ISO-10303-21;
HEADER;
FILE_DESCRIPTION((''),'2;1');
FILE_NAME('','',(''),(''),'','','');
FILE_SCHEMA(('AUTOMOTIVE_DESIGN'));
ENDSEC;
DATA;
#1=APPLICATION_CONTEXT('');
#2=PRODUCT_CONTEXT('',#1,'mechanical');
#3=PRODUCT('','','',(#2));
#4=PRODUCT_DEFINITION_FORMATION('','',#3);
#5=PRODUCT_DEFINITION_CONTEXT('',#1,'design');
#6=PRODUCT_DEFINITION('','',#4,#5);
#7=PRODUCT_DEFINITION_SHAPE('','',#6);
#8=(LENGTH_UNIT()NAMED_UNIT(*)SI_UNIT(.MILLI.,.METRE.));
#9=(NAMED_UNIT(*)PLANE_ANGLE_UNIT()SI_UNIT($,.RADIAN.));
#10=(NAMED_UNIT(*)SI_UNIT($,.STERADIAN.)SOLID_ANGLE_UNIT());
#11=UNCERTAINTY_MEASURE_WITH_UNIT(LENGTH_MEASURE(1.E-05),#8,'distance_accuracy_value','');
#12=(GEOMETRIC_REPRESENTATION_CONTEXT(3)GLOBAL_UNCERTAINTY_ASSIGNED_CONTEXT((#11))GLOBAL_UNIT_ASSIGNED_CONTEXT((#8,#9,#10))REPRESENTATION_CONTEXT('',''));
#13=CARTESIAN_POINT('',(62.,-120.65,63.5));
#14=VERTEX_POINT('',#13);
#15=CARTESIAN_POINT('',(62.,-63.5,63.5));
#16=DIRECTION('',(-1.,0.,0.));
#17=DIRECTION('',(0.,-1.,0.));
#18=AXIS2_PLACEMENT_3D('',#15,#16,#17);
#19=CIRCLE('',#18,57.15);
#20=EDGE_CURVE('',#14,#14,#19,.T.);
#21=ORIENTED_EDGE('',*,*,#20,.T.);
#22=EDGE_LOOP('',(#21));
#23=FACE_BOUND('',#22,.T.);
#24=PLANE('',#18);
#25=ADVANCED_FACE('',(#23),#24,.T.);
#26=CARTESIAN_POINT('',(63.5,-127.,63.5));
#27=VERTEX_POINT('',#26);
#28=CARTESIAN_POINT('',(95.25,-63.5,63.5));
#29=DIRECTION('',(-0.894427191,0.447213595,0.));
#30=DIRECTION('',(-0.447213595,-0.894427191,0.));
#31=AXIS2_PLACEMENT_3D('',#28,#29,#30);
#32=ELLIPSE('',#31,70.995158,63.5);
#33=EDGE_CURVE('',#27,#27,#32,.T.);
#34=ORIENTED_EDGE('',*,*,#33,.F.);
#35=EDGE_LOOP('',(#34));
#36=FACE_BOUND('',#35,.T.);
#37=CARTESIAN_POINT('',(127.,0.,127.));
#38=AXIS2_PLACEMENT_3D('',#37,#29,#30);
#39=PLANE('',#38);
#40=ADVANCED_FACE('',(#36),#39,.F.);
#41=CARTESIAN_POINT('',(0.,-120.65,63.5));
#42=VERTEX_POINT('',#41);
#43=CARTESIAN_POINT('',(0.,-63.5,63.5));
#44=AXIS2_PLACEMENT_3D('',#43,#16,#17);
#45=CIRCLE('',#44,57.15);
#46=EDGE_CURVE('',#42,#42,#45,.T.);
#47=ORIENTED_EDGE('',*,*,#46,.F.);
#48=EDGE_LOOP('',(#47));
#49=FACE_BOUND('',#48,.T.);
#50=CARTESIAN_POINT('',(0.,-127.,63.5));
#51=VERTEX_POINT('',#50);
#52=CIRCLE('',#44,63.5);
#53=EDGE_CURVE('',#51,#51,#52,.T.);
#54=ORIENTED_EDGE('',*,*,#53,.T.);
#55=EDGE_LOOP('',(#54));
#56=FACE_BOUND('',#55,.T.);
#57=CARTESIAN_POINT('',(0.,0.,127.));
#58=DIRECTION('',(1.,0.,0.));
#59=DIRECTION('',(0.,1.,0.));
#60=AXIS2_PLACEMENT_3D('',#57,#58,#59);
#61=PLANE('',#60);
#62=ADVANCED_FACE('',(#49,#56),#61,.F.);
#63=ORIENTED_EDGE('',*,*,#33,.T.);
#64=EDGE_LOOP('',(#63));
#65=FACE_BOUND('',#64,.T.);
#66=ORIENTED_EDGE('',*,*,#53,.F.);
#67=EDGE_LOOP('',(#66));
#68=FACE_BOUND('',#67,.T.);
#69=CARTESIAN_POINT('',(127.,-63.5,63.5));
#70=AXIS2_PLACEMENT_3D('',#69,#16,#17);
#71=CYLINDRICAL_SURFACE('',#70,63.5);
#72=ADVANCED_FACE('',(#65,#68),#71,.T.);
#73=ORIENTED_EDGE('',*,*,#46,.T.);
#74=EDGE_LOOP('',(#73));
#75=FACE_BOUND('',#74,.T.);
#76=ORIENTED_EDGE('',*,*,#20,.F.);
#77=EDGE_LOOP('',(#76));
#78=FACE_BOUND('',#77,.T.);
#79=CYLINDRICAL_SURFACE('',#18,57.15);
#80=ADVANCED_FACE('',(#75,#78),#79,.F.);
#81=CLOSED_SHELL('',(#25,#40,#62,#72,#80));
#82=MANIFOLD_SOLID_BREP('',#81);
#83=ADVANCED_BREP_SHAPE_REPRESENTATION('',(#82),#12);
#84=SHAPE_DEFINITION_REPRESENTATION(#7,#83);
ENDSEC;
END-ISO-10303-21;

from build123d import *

# Parameters (mm, degrees)
BOSS_EXTRUDE2_DEPTH = 127
SKETCH3_R           = 57.15
CUT_EXTRUDE1_DEPTH  = 62
CUT_EXTRUDE2_DEPTH  = 128


with BuildPart() as part:
    # Sketch2 → Boss-Extrude2 (new body)
    with BuildSketch(Plane.XY):
        Polygon((0, 0), (0, -127), (63.5, -127), (127, 0), align=None)
    extrude(amount=BOSS_EXTRUDE2_DEPTH)

    # Sketch3 → Cut-Extrude1 (cut)
    with BuildSketch(Plane.ZY):
        with Locations((63.5, -63.5)):
            Circle(SKETCH3_R)
    extrude(amount=-CUT_EXTRUDE1_DEPTH, mode=Mode.SUBTRACT)

    # Sketch4 → Cut-Extrude2 (cut, through all)
    with BuildSketch(Plane.ZY):
        with BuildLine():
            Line((127, 0), (63.5, 0))
            ThreePointArc((63.5, 0), (108.401280605, -18.598719395), (127, -63.5))
            Line((127, -63.5), (127, 0))
        make_face()
        with BuildLine():
            Line((63.5, 0), (0, 0))
            Line((0, 0), (0, -63.5))
            ThreePointArc((0, -63.5), (18.598719395, -18.598719395), (63.5, 0))
        make_face()
        with BuildLine():
            ThreePointArc((63.5, -127), (18.598719395, -108.401280605), (0, -63.5))
            Line((0, -63.5), (0, -127))
            Line((0, -127), (63.5, -127))
        make_face()
        with BuildLine():
            Line((127, -127), (127, -63.5))
            ThreePointArc((127, -63.5), (108.401280605, -108.401280605), (63.5, -127))
            Line((63.5, -127), (127, -127))
        make_face()
    extrude(amount=-CUT_EXTRUDE2_DEPTH, mode=Mode.SUBTRACT)


solid = part.part
